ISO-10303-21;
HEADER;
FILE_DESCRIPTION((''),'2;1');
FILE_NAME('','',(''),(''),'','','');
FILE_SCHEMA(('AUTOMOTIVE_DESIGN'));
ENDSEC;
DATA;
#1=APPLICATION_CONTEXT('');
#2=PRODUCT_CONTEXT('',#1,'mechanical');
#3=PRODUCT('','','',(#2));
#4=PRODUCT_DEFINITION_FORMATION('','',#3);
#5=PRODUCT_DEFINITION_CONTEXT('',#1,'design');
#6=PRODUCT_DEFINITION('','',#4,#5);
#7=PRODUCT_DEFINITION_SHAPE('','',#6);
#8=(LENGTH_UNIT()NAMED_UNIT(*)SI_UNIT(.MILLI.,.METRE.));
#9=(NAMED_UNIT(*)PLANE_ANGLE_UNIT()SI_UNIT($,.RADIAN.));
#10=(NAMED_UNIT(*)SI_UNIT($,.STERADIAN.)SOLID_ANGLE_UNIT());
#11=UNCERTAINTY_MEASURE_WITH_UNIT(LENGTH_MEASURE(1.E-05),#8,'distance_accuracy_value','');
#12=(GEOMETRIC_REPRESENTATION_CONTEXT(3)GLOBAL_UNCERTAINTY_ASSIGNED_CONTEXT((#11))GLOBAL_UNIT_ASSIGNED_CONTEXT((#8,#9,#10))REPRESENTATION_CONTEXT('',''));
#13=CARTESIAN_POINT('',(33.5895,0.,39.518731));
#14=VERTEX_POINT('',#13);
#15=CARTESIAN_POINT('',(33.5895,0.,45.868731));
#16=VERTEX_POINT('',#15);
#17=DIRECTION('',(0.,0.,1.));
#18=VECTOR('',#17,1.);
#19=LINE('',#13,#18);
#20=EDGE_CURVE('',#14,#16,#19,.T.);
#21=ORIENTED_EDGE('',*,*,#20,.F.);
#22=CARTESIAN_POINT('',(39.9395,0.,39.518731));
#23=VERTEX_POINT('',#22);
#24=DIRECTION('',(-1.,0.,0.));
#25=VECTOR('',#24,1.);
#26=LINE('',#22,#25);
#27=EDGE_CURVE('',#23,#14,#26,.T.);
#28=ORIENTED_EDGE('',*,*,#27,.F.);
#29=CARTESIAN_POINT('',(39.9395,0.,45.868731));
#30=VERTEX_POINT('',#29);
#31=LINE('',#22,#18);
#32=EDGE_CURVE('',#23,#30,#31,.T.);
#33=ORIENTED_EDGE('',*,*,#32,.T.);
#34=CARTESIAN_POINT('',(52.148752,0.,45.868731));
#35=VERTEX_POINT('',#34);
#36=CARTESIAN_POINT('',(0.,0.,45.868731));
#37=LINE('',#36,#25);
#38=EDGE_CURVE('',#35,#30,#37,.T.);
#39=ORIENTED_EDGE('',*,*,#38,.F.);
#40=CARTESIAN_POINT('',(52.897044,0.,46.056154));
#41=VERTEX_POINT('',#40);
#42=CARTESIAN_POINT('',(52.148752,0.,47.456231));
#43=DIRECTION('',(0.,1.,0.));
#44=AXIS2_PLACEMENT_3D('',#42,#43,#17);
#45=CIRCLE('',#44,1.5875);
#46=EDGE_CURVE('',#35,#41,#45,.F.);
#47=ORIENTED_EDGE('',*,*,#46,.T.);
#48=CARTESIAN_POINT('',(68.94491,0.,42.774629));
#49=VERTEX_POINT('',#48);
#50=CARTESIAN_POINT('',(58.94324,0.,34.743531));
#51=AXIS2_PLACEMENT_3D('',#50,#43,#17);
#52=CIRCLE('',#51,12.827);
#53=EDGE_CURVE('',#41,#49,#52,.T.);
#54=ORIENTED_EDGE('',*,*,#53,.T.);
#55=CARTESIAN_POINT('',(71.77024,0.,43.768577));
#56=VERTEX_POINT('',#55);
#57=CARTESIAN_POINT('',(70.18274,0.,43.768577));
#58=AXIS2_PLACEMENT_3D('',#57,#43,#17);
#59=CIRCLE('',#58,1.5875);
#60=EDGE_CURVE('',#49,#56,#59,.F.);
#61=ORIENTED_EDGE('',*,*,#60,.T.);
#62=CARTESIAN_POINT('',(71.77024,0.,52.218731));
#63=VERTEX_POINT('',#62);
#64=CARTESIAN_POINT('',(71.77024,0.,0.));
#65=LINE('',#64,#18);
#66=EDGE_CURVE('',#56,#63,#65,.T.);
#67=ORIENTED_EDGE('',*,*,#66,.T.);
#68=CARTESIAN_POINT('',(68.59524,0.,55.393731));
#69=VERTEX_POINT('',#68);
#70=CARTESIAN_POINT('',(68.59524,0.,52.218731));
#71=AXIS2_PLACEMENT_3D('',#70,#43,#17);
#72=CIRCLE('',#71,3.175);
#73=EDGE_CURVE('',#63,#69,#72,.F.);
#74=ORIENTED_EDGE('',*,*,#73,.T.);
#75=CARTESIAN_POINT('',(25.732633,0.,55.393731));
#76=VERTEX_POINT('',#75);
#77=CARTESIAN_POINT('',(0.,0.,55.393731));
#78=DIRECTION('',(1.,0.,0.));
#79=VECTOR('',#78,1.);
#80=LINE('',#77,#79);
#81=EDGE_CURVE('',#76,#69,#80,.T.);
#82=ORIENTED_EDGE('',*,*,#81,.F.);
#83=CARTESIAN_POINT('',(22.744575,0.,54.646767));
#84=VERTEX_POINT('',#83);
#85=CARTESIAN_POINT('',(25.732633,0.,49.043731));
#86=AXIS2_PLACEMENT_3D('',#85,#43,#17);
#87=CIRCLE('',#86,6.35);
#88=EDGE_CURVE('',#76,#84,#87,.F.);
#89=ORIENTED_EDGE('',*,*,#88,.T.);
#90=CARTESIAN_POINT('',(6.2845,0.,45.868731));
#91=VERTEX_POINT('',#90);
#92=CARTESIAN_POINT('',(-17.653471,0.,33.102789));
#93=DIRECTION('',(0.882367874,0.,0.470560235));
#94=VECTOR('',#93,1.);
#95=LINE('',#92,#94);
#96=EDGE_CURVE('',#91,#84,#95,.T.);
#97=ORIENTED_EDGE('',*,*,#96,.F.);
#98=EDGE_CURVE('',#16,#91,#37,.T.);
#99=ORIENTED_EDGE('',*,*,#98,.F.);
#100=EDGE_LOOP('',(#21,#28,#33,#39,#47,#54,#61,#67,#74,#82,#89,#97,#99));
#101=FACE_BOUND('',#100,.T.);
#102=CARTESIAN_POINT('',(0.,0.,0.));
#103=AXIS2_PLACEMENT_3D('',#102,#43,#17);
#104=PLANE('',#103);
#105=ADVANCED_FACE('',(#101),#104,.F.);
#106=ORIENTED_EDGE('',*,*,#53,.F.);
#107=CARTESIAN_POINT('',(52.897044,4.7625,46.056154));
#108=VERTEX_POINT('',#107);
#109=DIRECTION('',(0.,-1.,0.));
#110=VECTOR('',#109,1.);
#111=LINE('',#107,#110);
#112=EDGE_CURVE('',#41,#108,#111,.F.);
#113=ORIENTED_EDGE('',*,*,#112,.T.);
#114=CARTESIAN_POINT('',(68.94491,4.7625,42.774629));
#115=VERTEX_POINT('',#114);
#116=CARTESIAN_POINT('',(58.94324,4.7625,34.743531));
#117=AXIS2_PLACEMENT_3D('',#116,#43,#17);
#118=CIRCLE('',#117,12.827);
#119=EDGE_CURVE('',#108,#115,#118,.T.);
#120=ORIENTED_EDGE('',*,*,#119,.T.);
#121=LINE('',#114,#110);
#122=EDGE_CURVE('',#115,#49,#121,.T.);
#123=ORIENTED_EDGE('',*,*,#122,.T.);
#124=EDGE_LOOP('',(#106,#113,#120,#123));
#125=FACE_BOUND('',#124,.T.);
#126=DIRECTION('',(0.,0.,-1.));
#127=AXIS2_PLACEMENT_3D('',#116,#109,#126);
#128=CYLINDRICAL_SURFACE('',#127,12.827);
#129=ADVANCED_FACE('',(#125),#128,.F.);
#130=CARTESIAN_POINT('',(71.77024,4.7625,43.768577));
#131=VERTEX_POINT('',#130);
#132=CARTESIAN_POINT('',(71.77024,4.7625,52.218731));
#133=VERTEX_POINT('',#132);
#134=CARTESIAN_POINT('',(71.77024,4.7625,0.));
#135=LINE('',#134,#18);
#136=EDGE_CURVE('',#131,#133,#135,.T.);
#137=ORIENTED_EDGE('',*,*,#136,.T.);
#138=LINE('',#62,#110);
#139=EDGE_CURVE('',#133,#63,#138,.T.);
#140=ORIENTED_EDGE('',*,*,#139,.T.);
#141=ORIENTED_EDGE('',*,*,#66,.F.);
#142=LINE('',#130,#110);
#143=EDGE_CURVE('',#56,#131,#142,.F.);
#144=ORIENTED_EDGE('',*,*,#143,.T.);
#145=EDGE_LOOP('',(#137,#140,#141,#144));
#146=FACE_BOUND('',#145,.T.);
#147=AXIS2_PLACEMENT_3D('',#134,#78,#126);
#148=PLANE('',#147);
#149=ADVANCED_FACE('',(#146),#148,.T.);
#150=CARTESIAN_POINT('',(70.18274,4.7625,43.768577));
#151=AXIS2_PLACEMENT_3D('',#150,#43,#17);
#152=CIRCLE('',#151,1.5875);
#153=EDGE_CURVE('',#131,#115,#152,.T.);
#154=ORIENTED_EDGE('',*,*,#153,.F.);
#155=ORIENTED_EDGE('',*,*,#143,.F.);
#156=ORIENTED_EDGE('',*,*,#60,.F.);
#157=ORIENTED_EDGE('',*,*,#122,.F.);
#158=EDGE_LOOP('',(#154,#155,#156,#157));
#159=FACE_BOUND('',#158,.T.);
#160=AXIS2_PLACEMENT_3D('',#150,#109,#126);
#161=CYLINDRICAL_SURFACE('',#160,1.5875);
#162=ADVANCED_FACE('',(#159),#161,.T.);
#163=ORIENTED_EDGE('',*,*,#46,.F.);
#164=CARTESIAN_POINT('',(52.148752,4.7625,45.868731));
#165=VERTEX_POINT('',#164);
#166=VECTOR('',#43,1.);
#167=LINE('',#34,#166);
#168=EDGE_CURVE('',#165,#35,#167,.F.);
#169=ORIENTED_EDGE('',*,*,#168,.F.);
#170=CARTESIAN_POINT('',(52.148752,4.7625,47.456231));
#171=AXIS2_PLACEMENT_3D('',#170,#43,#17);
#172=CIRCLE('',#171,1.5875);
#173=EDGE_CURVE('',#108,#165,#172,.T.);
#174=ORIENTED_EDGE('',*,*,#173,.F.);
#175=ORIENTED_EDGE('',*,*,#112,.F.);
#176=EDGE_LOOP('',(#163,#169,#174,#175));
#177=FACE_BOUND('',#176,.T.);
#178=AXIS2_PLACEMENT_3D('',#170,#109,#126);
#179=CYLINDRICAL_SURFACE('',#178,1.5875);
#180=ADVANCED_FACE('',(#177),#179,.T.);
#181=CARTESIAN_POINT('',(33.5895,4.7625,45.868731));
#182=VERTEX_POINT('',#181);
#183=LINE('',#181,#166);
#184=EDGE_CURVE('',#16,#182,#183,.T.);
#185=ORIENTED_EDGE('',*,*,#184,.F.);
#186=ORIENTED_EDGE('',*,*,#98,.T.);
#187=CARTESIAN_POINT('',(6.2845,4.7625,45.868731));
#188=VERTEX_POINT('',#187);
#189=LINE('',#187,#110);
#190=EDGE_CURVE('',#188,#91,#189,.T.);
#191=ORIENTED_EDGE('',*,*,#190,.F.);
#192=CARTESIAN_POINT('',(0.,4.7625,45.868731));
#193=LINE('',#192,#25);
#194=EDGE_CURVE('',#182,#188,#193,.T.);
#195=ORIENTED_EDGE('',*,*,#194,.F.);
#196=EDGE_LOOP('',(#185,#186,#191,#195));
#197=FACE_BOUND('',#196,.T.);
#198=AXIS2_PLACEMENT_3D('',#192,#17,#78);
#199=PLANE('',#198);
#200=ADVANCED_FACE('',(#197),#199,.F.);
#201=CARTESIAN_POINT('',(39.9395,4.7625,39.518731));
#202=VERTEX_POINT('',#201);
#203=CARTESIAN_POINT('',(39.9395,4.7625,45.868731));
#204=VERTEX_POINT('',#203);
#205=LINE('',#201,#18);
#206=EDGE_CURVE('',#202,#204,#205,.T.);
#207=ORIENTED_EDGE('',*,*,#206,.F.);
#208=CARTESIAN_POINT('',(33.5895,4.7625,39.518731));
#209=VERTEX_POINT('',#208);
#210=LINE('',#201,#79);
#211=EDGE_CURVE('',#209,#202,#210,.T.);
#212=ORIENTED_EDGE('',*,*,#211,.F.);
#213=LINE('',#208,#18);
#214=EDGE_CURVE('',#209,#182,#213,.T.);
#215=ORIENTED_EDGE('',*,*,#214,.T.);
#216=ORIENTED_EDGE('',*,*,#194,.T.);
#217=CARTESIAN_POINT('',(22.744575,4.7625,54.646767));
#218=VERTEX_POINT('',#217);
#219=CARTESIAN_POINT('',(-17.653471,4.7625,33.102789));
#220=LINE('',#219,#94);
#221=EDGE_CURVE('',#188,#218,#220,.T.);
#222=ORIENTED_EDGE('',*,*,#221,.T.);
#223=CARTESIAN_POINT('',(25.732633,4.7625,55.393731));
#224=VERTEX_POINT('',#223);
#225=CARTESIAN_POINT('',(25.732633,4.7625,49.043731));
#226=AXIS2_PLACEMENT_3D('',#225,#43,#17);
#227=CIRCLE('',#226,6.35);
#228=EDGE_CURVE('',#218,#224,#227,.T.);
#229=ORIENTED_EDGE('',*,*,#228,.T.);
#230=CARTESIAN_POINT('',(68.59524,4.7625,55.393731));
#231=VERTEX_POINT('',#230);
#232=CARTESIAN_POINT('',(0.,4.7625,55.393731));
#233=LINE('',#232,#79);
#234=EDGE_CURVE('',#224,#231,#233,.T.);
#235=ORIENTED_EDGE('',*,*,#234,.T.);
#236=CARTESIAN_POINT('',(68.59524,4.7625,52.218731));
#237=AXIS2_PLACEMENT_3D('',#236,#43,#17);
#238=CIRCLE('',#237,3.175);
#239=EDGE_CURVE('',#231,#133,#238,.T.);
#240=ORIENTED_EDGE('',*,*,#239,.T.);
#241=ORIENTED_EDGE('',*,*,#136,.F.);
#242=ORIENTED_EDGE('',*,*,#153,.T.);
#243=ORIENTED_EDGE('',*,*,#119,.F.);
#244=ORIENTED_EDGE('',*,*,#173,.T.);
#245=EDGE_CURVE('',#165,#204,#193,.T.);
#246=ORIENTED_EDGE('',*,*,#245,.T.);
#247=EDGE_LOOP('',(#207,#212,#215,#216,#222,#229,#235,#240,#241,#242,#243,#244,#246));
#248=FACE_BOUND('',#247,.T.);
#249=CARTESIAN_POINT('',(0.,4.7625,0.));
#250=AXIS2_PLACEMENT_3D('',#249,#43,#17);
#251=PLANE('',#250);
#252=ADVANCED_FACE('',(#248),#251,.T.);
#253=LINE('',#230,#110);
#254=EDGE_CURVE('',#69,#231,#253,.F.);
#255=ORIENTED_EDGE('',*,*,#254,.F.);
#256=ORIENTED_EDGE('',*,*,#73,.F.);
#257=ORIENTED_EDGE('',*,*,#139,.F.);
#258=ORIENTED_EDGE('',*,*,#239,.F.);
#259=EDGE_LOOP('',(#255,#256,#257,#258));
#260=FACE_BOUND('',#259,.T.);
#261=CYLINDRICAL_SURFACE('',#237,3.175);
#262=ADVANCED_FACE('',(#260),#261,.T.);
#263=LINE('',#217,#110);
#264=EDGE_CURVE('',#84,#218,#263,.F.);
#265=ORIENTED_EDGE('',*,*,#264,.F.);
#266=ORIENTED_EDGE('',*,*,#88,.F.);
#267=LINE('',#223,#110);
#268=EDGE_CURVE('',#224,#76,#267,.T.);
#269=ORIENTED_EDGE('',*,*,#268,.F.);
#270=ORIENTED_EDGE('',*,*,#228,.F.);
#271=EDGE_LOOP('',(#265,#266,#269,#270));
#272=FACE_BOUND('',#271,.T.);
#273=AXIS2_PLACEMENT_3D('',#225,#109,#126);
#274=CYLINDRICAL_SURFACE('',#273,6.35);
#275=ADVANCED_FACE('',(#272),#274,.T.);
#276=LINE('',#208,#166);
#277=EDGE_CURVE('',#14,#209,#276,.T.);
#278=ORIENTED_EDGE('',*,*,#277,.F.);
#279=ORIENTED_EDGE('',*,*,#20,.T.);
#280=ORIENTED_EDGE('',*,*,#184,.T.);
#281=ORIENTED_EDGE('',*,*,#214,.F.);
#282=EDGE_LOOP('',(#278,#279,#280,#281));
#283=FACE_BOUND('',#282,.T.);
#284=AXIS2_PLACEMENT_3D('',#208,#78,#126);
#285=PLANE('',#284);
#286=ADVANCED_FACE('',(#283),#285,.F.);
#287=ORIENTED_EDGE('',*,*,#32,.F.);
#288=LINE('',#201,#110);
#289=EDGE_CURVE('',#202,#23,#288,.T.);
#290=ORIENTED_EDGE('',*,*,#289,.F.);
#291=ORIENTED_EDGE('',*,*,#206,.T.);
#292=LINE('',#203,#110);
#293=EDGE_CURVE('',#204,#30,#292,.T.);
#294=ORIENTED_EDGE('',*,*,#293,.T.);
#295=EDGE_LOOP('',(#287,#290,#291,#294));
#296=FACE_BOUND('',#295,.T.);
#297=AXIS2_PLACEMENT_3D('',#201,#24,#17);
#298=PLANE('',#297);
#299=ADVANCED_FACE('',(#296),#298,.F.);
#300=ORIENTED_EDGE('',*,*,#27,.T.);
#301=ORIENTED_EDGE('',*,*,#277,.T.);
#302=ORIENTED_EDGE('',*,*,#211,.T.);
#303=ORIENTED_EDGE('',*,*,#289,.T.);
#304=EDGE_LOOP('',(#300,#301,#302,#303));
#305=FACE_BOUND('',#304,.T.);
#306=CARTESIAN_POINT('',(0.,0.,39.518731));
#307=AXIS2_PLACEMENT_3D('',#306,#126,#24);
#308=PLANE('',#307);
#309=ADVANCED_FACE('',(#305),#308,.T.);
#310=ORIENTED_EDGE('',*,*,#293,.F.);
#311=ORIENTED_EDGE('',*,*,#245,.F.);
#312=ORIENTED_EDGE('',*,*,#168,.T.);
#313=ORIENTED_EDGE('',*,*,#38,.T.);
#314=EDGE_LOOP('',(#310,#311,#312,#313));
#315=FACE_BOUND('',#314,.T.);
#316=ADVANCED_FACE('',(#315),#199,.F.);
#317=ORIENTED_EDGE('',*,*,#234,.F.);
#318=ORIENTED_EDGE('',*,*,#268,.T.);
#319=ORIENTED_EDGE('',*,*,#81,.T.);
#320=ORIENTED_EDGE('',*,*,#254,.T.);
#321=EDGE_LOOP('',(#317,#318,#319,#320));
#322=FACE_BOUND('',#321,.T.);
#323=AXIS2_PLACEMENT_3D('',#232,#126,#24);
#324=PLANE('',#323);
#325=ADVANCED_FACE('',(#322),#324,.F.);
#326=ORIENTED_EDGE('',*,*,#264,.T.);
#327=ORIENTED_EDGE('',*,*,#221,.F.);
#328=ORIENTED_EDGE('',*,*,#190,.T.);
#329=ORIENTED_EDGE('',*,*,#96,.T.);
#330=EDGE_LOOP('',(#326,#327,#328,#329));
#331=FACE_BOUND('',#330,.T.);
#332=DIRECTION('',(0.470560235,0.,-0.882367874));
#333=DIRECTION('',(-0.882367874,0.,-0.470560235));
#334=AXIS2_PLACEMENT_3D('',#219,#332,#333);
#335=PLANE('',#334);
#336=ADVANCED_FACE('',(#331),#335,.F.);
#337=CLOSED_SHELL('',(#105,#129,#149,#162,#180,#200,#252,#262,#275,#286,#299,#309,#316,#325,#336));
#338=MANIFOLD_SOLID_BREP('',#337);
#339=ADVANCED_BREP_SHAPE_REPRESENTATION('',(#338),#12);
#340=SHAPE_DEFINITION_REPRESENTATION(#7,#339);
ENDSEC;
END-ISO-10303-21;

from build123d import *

# Parameters (mm, degrees)
BOSS_EXTRUDE1_DEPTH = 4.7625
FILLET1_R           = 1.5875
FILLET2_R           = 6.35
FILLET3_R           = 3.175
SKETCH2_W           = 6.35
SKETCH2_H           = 4.7625
BOSS_EXTRUDE2_DEPTH = 6.35


with BuildPart() as part:
    # Sketch1 → Boss-Extrude1 (new body)
    with BuildSketch(Plane(origin=(0, 0, 0), x_dir=(1, 0, 0), z_dir=(0, 1, 0))):
        with BuildLine():
            Line((52.558738922, -45.868730992), (33.5895, -45.868730992))
            Line((33.5895, -45.868730992), (6.2845, -45.868730992))
            Line((6.2845, -45.868730992), (24.145239996, -55.393730992))
            Line((24.145239996, -55.393730992), (71.770239996, -55.393730992))
            Line((71.770239996, -55.393730992), (71.770239996, -34.743530992))
            ThreePointArc((71.770239996, -34.743530992), (65.371223106, -45.84366442), (52.558738922, -45.868730992))
        make_face()
    extrude(amount=BOSS_EXTRUDE1_DEPTH)

    # Fillet1
    fillet1_edges = [part.edges().sort_by_distance(p)[0] for p in [
        (71.770239996, 2.38125, 34.743530992),
        (52.558738922, 2.38125, 45.868730992),
    ]]
    fillet(fillet1_edges, radius=FILLET1_R)

    # Fillet2
    fillet2_edges = [part.edges().sort_by_distance(p)[0] for p in [
        (24.145239996, 2.38125, 55.393730992),
    ]]
    fillet(fillet2_edges, radius=FILLET2_R)

    # Fillet3
    fillet3_edges = [part.edges().sort_by_distance(p)[0] for p in [
        (71.770239996, 2.38125, 55.393730992),
    ]]
    fillet(fillet3_edges, radius=FILLET3_R)

    # Sketch2 → Boss-Extrude2 (add)
    with BuildSketch(Plane(origin=(0, 0, 45.868730992), x_dir=(-1, 0, 0), z_dir=(0, 0, -1))):
        with Locations((-36.7645, 2.38125)):
            Rectangle(SKETCH2_W, SKETCH2_H)
    extrude(amount=BOSS_EXTRUDE2_DEPTH)


solid = part.part
